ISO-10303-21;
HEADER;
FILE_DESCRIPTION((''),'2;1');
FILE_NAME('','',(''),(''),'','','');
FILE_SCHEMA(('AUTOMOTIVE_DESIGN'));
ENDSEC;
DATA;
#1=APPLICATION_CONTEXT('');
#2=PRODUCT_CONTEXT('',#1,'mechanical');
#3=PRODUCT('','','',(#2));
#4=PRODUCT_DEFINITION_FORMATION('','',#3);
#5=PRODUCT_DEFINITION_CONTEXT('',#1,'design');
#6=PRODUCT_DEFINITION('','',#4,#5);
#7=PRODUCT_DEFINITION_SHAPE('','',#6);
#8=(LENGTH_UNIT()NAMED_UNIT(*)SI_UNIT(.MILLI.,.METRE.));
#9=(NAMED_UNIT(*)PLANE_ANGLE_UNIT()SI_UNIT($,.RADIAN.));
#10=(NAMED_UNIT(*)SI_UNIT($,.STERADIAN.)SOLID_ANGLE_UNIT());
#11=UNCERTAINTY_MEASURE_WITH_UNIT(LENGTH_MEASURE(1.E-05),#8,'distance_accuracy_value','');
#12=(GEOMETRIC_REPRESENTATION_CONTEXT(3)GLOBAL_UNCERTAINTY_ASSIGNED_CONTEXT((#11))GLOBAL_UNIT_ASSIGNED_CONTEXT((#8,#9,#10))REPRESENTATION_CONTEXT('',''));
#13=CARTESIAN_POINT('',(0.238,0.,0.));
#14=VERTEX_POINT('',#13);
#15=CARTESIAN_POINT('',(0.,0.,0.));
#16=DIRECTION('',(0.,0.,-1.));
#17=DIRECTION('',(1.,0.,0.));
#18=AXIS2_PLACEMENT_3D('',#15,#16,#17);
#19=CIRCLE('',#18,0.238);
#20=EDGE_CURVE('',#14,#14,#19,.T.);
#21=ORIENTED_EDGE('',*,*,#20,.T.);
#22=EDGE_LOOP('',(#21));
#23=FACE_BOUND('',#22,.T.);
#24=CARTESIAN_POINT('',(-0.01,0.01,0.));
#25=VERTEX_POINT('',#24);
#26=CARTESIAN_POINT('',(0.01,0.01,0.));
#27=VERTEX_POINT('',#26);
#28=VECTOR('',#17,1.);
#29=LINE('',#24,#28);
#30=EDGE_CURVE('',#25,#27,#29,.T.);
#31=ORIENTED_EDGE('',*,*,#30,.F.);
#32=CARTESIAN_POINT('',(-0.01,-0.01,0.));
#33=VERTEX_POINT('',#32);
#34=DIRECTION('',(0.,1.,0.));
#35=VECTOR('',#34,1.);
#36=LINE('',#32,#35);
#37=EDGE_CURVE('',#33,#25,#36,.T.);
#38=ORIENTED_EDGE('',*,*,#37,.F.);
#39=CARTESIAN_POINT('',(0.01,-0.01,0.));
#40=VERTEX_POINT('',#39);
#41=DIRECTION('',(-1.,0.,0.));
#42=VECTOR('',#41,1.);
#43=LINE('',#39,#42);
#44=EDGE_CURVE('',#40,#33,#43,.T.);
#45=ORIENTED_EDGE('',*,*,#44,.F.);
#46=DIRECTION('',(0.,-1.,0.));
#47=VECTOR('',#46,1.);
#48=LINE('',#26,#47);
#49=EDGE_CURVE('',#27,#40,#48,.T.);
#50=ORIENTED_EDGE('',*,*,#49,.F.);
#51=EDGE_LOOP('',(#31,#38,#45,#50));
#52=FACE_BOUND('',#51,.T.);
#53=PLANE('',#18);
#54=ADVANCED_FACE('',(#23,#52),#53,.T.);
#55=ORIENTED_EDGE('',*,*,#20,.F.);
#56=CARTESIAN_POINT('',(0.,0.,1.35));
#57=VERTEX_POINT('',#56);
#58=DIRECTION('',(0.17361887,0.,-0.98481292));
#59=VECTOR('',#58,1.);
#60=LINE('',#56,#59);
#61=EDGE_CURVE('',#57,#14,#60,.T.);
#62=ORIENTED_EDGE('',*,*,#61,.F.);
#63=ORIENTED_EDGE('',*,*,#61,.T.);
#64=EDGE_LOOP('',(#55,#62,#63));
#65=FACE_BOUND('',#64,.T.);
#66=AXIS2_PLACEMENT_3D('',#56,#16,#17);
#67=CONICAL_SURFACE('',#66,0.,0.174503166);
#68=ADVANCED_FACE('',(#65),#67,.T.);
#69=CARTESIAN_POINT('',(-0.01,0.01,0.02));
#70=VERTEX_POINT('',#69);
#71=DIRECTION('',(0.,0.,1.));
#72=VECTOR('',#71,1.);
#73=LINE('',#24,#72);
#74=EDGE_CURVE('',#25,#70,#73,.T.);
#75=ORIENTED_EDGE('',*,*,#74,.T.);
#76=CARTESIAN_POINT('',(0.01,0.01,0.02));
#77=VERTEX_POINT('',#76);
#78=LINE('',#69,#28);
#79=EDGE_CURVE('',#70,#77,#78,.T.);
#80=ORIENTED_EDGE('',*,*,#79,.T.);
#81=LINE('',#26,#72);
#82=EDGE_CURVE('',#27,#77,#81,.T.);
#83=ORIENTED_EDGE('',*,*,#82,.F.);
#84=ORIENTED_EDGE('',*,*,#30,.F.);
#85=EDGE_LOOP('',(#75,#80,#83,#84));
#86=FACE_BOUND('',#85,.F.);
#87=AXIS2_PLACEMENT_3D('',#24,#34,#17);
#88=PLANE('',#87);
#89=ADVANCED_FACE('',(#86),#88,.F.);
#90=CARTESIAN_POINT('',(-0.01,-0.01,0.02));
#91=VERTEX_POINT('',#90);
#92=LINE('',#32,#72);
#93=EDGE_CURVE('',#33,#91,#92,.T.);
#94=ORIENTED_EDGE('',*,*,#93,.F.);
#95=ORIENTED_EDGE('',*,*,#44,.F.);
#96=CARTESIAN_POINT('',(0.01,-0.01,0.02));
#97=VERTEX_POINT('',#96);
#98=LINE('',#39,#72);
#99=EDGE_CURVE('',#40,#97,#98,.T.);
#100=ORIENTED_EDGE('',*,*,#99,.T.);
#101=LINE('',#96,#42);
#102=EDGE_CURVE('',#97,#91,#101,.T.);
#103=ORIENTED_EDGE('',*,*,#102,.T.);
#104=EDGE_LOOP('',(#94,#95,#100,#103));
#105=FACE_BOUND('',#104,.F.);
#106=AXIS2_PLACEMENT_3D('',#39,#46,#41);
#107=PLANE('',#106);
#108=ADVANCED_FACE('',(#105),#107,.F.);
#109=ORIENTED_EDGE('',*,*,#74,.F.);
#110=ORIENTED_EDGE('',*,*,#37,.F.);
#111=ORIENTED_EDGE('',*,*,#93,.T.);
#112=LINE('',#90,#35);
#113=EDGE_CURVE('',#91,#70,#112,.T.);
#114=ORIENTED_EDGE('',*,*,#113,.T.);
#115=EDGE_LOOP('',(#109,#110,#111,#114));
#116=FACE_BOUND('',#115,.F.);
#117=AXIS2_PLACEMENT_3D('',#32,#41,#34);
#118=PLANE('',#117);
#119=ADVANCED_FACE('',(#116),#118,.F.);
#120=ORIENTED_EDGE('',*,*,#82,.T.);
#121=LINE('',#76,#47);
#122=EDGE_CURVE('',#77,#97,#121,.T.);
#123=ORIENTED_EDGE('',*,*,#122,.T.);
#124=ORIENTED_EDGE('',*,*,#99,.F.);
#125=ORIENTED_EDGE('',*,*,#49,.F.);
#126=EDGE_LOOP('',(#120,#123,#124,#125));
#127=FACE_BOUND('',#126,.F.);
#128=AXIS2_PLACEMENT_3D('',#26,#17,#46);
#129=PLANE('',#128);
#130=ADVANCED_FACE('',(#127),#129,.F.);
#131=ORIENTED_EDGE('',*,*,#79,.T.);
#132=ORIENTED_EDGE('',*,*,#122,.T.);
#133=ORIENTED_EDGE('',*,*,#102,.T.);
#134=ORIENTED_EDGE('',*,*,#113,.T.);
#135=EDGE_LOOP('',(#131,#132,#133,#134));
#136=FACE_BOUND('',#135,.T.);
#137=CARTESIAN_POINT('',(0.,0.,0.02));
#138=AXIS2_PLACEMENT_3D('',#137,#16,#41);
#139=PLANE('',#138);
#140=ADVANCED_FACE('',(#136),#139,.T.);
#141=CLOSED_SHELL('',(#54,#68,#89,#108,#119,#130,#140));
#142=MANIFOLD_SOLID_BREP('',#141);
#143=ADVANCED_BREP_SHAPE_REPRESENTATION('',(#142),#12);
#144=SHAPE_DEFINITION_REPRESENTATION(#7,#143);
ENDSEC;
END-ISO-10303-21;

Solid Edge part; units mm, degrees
sketch "Sketch1" plane through (0, 0, 0) normal (0, -1, 0) x (1, 0, 0)
  line L0 (0, 0) -> (0, 1.35)
  line L1 (0, 1.35) -> (0.238, 0)
  line L2 (0.238, 0) -> (0, 0)
  dimension "D1" = 1.35
revolve "RevolvedProtrusion1" add sketch "Sketch1" angle 360 about axis through (0, 0, 54) along (0, 0, -1)
sketch "Sketch2" plane through (0, 0, 0) normal (0, 0, -1) x (1, 0, 0)
  line L0 (-0.01, -0.01) -> (0.01, -0.01)
  line L1 (0.01, -0.01) -> (0.01, 0.01)
  line L2 (0.01, 0.01) -> (-0.01, 0.01)
  line L3 (-0.01, 0.01) -> (-0.01, -0.01)
  dimension "D1" = 0.02
extrude "Cutout1" cut sketch "Sketch2" against normal blind 0.02
